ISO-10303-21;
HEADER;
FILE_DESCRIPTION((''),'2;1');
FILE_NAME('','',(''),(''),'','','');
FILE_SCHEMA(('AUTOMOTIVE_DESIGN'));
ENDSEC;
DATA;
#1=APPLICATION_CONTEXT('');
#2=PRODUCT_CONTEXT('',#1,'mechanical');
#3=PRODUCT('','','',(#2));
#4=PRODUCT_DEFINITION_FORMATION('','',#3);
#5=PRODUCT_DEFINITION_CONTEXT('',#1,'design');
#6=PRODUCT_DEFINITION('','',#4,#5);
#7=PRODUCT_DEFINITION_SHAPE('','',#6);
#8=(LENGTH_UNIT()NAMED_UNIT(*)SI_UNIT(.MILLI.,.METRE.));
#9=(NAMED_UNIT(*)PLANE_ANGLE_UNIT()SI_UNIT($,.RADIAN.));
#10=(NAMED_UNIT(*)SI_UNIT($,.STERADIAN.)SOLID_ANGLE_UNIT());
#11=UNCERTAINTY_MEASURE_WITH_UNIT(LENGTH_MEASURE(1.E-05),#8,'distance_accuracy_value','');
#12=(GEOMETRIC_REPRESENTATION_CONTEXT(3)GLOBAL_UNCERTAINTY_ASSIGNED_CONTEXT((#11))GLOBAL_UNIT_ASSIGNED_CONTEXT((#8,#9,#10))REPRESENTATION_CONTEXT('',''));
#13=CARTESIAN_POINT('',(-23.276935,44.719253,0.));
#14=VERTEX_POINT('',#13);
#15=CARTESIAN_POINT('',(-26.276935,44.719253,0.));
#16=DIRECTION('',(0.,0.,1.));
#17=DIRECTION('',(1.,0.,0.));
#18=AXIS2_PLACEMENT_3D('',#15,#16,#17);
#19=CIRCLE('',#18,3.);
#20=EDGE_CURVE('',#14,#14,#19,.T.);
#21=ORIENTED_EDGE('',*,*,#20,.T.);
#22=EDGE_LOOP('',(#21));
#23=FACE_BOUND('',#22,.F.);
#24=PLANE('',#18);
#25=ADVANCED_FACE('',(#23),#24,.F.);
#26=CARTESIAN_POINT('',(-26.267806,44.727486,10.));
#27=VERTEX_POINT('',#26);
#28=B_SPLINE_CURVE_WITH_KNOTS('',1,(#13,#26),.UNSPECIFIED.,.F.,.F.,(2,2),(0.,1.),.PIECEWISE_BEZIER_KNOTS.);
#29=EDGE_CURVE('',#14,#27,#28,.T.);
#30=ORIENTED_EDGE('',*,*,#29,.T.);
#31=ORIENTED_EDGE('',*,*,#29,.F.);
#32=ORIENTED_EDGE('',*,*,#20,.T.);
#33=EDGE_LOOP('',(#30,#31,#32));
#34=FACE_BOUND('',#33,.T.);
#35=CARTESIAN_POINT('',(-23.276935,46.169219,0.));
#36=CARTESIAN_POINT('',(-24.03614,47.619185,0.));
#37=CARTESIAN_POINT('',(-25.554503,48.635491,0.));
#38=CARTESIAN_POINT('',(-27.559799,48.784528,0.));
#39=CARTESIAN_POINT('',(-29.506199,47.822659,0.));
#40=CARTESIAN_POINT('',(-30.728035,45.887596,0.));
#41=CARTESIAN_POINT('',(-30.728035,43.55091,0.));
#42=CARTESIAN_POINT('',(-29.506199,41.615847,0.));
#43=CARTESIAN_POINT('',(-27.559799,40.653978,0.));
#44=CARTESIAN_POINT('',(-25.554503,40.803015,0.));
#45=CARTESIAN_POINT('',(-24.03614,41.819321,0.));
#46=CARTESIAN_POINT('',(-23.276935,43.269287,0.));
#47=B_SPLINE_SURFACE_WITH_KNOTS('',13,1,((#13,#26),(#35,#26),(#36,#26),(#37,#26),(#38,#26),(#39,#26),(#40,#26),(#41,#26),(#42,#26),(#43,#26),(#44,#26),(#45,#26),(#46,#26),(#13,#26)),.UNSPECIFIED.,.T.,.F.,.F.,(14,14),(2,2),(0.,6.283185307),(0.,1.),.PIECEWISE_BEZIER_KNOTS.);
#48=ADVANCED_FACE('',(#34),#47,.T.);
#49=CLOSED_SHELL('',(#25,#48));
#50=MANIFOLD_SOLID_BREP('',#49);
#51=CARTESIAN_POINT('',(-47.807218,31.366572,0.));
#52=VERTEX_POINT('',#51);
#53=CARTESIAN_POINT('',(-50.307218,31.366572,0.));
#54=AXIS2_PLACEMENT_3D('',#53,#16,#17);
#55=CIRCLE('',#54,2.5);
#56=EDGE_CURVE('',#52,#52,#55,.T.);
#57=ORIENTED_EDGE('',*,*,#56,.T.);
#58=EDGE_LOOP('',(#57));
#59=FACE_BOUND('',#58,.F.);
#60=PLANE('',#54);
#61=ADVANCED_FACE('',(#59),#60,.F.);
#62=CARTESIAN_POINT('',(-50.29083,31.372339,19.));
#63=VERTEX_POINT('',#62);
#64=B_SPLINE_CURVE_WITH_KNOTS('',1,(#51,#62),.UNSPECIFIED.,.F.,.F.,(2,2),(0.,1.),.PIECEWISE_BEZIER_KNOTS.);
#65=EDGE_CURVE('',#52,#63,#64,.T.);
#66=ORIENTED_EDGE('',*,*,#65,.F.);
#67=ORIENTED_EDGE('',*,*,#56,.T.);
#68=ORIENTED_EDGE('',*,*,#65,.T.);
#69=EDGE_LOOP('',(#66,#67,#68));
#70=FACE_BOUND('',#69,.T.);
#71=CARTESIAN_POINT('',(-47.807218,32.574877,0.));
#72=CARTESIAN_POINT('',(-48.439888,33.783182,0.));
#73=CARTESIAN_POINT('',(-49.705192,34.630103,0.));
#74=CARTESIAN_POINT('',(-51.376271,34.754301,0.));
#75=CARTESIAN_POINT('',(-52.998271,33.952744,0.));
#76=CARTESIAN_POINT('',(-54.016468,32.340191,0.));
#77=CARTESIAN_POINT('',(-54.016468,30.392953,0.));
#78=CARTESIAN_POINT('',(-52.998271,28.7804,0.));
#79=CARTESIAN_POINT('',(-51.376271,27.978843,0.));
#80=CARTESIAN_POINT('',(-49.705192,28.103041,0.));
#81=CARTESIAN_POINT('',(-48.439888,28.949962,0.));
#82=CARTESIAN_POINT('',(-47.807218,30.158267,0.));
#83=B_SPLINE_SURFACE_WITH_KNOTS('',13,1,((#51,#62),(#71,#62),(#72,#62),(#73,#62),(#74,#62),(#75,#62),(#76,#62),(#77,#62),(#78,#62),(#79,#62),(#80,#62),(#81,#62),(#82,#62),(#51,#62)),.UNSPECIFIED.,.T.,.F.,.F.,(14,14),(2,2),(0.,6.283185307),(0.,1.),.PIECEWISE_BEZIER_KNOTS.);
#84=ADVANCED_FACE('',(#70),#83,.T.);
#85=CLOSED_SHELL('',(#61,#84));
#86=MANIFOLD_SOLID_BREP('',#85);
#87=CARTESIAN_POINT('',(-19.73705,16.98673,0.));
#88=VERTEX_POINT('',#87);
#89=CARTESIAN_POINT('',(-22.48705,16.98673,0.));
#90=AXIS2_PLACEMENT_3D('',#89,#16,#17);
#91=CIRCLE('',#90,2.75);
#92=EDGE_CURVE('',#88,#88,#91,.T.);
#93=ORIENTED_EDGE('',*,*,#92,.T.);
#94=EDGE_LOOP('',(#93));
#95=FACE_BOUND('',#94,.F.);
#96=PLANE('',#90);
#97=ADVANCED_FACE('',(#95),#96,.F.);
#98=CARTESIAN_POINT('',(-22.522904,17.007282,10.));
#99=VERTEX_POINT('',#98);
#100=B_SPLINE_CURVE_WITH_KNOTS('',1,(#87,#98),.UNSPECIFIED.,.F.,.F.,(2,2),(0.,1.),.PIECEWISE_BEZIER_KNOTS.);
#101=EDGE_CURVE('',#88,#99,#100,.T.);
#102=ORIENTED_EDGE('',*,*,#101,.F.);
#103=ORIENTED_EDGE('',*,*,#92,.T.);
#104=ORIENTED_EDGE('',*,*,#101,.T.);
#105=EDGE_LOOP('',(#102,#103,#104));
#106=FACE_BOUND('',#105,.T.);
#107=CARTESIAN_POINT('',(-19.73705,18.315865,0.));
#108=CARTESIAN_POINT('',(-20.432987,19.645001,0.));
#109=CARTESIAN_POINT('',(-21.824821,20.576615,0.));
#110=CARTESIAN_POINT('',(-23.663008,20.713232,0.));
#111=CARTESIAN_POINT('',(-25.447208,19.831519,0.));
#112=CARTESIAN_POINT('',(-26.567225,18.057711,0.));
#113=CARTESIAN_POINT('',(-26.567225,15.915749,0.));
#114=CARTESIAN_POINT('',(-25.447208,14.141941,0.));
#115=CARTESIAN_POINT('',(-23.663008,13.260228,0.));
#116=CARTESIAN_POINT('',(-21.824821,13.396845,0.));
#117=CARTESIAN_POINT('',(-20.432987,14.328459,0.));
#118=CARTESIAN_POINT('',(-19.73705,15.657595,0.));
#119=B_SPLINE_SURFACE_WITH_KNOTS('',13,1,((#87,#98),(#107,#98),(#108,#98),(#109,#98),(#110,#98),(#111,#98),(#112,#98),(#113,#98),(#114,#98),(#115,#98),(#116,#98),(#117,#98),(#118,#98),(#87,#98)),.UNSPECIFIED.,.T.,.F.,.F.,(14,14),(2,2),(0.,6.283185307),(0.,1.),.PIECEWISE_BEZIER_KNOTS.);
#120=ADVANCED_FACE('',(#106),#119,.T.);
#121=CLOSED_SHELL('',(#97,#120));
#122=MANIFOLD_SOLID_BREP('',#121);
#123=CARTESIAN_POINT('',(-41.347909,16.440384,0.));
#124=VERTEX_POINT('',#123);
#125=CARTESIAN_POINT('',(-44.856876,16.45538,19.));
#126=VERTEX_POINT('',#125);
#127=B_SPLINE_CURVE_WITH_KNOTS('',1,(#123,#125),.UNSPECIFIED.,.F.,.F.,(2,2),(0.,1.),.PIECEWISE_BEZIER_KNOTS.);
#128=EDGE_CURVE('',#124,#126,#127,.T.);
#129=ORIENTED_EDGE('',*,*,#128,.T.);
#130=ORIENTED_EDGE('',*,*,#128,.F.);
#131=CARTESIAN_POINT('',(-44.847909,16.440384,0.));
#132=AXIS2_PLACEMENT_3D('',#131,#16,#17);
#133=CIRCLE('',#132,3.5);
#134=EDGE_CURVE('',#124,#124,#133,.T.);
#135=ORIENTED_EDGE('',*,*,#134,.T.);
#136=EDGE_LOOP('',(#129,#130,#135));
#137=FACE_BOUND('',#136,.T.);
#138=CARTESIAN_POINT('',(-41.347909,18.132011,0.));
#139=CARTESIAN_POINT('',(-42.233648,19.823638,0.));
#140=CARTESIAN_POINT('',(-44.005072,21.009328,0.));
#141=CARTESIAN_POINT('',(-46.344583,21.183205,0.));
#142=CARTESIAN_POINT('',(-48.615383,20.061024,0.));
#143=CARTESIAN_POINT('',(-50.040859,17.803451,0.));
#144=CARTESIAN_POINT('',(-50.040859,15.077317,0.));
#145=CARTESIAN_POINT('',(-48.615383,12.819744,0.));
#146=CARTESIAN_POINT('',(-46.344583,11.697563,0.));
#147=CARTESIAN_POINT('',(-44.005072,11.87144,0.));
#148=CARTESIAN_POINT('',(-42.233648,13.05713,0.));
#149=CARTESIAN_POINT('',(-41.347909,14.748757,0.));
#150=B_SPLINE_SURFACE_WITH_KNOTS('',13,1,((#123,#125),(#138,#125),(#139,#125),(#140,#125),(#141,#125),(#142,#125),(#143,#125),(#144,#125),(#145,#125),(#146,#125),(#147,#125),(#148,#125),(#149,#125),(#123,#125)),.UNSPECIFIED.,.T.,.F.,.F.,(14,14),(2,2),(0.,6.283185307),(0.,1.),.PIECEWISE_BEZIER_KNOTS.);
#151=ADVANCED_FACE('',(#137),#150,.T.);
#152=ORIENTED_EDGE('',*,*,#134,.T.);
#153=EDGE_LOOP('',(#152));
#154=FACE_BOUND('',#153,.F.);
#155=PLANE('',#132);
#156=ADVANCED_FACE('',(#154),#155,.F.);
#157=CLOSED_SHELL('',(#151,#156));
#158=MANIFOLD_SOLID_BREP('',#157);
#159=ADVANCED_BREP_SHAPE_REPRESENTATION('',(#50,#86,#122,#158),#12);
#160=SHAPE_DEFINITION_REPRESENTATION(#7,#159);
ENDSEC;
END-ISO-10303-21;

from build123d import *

# Parameters (mm, degrees)
F0_R   = 3.5
F0_R_2 = 2.5
F0_R_3 = 2.75
F0_R_4 = 3


with BuildPart() as f3:
    # F0 (on Top) → F3 section 0
    with BuildSketch(Plane.XY, mode=Mode.PRIVATE) as f3_s0:
        with Locations((-44.847909, 16.440384)):
            Circle(F0_R)
    loft([f3_s0.sketch, Vertex(-44.856876, 16.45538, 19)])


with BuildPart() as f4:
    # F0 (on Top) → F4 section 0
    with BuildSketch(Plane.XY, mode=Mode.PRIVATE) as f4_s0:
        with Locations((-50.307218, 31.366572)):
            Circle(F0_R_2)
    loft([f4_s0.sketch, Vertex(-50.29083, 31.372339, 19)])


with BuildPart() as f7:
    # F0 (on Top) → F7 section 0
    with BuildSketch(Plane.XY, mode=Mode.PRIVATE) as f7_s0:
        with Locations((-22.48705, 16.98673)):
            Circle(F0_R_3)
    loft([f7_s0.sketch, Vertex(-22.522904, 17.007282, 10)])


with BuildPart() as f8:
    # F0 (on Top) → F8 section 0
    with BuildSketch(Plane.XY, mode=Mode.PRIVATE) as f8_s0:
        with Locations((-26.276935, 44.719253)):
            Circle(F0_R_4)
    loft([f8_s0.sketch, Vertex(-26.267806, 44.727486, 10)])


solid = Compound([f3.part, f4.part, f7.part, f8.part])
